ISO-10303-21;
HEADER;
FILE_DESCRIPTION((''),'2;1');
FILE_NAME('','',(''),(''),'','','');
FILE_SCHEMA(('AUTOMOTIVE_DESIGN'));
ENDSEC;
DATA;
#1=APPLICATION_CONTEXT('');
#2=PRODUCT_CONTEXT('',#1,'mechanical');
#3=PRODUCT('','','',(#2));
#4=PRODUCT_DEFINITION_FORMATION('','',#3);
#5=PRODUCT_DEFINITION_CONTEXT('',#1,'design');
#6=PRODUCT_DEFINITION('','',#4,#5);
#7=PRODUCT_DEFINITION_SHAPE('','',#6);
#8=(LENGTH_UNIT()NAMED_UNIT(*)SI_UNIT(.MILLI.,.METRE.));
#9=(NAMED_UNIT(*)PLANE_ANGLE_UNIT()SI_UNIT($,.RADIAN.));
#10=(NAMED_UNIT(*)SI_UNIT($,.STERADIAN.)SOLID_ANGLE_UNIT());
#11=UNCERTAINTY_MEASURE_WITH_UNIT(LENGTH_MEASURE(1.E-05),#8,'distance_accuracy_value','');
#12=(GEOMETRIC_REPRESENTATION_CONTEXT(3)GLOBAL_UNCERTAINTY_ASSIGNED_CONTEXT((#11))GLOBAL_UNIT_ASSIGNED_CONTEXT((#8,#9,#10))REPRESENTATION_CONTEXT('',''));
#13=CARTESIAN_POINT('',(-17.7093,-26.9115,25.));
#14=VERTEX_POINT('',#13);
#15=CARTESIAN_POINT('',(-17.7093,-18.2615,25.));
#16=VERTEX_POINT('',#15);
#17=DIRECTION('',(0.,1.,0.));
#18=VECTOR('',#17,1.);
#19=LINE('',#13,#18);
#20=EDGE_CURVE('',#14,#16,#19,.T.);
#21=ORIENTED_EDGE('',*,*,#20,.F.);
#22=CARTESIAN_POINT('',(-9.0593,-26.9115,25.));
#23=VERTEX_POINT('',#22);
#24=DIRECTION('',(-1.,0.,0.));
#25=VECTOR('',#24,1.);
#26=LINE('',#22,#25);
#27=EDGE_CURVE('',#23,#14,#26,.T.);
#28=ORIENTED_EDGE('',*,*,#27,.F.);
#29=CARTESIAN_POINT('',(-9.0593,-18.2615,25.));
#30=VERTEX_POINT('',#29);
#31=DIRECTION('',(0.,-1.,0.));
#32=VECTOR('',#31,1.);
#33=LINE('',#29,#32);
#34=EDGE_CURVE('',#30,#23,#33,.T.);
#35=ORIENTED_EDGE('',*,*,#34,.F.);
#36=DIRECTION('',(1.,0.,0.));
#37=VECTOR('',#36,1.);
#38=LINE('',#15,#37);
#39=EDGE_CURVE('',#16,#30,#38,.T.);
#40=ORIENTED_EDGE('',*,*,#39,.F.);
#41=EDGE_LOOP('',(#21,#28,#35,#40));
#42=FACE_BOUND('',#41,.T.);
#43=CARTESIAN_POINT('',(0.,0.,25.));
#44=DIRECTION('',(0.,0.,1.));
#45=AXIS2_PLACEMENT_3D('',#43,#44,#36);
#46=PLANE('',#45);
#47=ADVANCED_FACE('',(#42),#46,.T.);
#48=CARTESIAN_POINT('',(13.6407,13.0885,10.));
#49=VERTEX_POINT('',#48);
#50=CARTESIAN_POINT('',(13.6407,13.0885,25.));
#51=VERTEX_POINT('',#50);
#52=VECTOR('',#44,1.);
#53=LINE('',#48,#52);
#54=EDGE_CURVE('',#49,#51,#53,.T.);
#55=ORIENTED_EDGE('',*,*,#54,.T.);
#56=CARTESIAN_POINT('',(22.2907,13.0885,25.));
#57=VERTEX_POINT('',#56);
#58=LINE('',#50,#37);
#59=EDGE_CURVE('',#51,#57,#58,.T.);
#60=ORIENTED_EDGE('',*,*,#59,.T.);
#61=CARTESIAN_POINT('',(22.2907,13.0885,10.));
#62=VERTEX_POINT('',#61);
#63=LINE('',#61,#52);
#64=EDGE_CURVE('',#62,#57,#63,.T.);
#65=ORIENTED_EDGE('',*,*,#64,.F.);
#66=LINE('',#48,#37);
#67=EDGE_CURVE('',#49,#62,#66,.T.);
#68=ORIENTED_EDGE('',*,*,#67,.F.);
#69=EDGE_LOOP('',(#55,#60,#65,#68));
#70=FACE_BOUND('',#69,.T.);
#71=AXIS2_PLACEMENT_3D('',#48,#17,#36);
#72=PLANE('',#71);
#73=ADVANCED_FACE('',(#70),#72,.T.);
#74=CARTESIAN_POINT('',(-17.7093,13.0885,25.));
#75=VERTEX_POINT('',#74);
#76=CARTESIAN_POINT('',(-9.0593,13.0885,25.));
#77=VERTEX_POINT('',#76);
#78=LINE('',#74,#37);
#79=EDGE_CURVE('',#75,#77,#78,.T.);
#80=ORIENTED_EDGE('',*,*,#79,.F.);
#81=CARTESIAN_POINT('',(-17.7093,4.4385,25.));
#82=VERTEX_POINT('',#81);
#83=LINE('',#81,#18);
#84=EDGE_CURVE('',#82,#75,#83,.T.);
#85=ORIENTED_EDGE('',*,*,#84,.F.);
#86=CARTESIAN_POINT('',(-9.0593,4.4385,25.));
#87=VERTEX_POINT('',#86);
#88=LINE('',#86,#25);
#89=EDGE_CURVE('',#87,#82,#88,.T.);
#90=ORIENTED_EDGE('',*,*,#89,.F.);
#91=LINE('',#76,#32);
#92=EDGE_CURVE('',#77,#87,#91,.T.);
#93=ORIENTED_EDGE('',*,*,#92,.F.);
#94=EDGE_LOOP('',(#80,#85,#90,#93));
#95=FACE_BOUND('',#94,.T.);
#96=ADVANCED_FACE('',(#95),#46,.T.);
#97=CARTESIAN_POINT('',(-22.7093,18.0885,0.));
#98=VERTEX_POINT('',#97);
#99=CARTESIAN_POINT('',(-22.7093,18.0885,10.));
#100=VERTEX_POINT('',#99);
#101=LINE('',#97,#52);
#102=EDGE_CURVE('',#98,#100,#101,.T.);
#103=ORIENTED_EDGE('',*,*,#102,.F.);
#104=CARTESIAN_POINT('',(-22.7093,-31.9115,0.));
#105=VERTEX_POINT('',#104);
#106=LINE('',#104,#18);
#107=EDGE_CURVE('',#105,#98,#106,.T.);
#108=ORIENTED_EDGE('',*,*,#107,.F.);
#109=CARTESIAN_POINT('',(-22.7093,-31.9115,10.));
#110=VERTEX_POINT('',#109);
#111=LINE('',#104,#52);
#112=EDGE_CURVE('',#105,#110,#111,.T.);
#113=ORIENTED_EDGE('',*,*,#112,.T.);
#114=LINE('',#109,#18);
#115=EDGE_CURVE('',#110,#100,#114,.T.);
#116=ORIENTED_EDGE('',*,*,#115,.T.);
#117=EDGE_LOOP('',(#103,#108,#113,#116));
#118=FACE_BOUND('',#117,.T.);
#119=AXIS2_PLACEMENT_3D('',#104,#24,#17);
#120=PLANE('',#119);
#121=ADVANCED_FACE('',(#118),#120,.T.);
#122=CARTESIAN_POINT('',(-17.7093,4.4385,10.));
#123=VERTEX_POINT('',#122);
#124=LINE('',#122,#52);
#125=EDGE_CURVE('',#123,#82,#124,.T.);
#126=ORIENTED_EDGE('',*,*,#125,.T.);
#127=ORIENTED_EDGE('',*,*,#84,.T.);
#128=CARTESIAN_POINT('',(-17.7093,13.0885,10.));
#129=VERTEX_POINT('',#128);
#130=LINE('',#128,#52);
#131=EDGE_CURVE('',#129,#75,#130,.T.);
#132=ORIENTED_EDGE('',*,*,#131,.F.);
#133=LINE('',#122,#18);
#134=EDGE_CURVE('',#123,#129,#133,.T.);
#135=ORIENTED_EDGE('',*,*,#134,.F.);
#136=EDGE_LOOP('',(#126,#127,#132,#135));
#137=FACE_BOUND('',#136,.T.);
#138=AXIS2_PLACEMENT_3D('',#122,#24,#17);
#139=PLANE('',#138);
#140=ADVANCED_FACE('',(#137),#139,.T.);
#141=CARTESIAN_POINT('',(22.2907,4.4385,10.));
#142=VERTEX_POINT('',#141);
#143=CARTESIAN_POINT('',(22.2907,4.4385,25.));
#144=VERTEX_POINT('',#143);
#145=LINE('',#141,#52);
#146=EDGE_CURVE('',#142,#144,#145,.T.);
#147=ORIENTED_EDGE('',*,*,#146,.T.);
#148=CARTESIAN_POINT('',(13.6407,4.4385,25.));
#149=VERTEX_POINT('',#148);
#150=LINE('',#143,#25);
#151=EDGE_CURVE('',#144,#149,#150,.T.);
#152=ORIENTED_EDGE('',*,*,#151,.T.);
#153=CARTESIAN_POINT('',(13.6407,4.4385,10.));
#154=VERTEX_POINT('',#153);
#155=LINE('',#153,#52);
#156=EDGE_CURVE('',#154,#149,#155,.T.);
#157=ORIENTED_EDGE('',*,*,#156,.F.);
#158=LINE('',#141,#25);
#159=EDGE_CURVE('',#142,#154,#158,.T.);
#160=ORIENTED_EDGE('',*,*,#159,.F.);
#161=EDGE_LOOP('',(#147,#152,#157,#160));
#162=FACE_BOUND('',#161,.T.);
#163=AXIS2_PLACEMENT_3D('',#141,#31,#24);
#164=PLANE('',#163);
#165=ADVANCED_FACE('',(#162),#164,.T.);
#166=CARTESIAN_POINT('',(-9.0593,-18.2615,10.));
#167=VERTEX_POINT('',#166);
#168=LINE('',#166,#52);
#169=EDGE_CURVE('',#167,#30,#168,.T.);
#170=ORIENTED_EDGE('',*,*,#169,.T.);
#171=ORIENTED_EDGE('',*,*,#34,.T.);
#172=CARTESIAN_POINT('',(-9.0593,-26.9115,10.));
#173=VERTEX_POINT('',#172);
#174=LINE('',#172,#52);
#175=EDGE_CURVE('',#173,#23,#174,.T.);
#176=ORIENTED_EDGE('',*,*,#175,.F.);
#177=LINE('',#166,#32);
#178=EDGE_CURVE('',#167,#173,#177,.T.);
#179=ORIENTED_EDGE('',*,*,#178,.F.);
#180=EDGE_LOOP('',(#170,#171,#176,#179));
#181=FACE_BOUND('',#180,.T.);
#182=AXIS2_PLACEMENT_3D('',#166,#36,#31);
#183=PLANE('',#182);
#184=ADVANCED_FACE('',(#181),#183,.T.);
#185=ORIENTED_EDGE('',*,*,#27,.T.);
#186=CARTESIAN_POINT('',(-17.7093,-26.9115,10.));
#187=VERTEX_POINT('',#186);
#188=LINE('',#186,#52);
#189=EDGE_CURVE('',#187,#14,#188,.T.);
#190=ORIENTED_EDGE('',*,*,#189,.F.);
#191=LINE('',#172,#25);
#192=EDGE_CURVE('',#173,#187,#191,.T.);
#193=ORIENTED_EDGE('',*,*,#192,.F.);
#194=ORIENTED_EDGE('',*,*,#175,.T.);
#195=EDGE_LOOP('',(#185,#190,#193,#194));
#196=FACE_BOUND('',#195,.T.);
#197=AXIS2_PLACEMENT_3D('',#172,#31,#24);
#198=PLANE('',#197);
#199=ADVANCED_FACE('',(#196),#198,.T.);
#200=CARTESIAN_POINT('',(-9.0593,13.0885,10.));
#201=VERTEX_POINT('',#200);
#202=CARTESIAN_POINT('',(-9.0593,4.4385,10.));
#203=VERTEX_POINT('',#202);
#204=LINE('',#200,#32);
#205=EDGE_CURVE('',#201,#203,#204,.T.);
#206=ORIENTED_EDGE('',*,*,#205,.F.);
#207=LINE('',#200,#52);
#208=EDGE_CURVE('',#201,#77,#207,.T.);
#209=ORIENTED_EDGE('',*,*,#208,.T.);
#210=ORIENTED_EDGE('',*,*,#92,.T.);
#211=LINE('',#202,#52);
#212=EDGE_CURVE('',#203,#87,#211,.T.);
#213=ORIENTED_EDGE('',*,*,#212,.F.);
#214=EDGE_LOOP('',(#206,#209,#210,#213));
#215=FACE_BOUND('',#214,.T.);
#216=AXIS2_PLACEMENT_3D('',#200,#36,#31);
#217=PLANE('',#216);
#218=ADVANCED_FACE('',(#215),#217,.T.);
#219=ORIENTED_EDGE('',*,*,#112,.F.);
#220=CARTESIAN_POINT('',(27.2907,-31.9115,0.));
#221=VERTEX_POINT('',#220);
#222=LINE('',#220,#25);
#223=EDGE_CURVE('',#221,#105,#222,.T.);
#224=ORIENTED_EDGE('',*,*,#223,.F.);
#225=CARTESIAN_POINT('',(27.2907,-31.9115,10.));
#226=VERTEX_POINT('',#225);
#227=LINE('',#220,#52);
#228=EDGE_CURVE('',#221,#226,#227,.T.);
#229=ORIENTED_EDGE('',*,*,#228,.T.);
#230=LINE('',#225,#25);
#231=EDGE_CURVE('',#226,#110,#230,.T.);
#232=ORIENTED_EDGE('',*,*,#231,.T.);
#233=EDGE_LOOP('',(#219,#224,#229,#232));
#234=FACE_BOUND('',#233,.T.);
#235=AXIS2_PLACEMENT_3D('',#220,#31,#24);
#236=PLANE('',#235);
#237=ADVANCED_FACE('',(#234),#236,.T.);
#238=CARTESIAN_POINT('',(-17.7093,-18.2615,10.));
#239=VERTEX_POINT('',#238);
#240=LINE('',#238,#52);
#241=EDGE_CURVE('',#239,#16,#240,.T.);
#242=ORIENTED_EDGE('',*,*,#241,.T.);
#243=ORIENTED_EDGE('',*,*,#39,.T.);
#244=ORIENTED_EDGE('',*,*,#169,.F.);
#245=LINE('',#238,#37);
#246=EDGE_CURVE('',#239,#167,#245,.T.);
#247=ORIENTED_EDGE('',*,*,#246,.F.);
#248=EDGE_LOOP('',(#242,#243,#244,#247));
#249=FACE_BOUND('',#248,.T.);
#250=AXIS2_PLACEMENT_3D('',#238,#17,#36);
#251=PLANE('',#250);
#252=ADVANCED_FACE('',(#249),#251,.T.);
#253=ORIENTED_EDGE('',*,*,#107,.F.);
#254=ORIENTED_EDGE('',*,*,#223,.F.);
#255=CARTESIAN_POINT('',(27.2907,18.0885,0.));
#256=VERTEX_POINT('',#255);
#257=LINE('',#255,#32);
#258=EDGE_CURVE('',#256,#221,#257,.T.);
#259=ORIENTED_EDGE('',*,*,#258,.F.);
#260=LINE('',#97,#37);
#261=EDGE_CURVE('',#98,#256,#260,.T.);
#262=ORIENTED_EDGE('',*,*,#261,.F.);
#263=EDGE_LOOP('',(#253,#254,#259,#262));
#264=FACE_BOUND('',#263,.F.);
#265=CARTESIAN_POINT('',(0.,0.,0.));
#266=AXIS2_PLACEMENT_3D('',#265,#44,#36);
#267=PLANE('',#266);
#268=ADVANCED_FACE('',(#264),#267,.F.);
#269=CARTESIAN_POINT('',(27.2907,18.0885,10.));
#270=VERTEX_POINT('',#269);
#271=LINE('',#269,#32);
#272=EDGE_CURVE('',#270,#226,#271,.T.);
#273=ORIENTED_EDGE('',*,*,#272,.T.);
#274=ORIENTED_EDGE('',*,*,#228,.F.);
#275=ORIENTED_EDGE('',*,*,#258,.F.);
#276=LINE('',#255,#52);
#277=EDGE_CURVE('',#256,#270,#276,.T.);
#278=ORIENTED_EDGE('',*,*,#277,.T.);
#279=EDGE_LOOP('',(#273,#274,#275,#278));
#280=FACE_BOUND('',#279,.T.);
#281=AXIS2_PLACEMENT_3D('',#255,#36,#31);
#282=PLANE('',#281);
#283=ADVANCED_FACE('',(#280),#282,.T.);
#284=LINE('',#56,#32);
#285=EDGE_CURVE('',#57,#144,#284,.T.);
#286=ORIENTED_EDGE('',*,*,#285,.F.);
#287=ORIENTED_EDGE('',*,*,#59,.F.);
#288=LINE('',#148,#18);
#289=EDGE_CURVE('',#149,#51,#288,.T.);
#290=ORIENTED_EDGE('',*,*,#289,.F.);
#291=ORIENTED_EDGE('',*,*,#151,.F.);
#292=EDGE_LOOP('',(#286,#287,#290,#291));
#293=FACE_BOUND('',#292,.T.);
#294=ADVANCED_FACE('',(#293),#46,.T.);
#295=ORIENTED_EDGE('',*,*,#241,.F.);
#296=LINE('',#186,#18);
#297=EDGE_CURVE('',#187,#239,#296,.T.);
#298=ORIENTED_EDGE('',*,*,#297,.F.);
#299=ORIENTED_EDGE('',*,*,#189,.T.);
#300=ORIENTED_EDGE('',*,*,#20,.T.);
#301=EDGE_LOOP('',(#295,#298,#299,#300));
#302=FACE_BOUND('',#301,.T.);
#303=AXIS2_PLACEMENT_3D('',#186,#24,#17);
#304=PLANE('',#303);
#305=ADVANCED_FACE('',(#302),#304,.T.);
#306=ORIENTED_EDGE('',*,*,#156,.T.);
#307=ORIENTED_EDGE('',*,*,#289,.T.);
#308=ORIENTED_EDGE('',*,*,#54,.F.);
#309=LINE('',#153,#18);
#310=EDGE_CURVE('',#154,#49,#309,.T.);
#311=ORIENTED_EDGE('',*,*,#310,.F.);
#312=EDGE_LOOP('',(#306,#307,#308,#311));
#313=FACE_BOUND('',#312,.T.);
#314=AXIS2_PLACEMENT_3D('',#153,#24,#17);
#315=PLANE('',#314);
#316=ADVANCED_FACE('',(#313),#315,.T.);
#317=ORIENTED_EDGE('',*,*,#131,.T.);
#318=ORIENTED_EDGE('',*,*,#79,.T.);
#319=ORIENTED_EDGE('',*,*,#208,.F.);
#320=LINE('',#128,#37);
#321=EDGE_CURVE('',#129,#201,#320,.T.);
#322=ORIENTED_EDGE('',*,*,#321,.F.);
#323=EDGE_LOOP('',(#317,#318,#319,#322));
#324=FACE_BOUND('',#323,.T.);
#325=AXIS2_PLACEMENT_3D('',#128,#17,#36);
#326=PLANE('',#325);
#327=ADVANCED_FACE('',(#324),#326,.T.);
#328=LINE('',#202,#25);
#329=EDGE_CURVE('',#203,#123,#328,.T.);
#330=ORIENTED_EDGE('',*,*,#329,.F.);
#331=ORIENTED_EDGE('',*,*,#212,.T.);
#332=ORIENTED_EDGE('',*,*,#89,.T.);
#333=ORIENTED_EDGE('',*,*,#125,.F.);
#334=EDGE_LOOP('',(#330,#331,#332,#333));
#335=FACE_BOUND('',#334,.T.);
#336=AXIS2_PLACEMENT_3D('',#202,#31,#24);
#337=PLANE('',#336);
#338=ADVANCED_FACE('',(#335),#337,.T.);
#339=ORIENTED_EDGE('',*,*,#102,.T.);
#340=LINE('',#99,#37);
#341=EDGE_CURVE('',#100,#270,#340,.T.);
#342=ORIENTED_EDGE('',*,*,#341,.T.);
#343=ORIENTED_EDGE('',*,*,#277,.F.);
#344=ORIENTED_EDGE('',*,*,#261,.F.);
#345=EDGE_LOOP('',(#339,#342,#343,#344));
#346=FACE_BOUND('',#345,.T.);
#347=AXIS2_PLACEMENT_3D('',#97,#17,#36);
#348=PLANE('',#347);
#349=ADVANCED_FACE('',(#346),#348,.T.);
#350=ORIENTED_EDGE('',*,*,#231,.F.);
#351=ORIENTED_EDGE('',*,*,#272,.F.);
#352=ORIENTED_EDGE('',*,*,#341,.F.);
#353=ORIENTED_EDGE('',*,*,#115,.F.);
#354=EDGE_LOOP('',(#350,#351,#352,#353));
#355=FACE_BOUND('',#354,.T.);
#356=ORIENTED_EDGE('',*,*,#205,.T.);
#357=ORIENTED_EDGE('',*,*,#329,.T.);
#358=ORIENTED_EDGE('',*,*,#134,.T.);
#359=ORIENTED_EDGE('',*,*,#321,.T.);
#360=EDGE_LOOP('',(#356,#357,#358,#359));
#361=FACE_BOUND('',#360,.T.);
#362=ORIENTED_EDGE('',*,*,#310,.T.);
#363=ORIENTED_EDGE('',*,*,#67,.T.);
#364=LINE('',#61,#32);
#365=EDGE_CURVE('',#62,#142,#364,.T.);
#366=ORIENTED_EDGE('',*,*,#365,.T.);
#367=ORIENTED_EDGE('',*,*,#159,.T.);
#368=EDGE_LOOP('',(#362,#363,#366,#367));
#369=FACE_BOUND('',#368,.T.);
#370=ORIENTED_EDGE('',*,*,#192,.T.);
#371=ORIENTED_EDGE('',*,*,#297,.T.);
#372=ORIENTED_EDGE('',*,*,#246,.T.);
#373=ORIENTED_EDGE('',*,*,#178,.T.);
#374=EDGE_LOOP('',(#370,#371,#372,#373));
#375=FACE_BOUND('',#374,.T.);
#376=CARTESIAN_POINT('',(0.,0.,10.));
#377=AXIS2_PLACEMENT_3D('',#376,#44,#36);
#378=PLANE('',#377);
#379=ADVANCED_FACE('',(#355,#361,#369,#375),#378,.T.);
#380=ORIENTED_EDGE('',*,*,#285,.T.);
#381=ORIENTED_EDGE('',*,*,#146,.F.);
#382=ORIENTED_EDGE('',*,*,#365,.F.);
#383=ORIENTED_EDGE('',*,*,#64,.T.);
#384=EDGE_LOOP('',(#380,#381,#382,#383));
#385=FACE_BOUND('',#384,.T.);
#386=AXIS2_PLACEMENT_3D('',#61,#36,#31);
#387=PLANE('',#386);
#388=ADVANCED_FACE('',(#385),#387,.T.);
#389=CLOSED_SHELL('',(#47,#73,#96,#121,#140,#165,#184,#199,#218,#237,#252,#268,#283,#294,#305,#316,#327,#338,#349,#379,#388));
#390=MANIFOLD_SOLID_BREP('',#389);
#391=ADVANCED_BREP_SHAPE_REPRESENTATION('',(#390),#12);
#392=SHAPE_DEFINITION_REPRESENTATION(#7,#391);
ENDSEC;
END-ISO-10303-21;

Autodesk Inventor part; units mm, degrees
ref_plane "YZ Plane" through (0, 0, 0) normal (1, 0, 0) x (0, 1, 0)
ref_plane "XZ Plane" through (0, 0, 0) normal (0, 1, 0) x (-1, 0, 0)
ref_plane "XY Plane" through (0, 0, 0) normal (0, 0, 1) x (1, 0, 0)
sketch "Sketch1" plane through (0, 0, 0) normal (0, 0, 1) x (1, 0, 0)
  line L0 (-22.7093, 18.0885) -> (27.2907, 18.0885)
  line L1 (27.2907, 18.0885) -> (27.2907, -31.9115)
  line L2 (27.2907, -31.9115) -> (-22.7093, -31.9115)
  line L3 (-22.7093, -31.9115) -> (-22.7093, 18.0885)
  point P0 (0, 0)
  dimension "d0" = 50
  dimension "d1" = 50
extrude "Extrusion1" add sketch "Sketch1" along normal blind 10
sketch "Sketch3" plane through (0, 0, 10) normal (0, 0, 1) x (1, 0, 0)
  line L0 (-17.7093, 13.0885) -> (-9.0593, 13.0885)
  line L1 (-9.0593, 13.0885) -> (-9.0593, 4.4385)
  line L2 (-9.0593, 4.4385) -> (-17.7093, 4.4385)
  line L3 (-17.7093, 4.4385) -> (-17.7093, 13.0885)
  line L4 (-22.7093, 18.0885) -> (-22.7093, -31.9115) projected
  line L5 (27.2907, 18.0885) -> (-22.7093, 18.0885) projected
  line L6 (13.6407, 13.0885) -> (22.2907, 13.0885)
  line L7 (22.2907, 13.0885) -> (22.2907, 4.4385)
  line L8 (22.2907, 4.4385) -> (13.6407, 4.4385)
  line L9 (13.6407, 4.4385) -> (13.6407, 13.0885)
  line L10 (-17.7093, -18.2615) -> (-9.0593, -18.2615)
  line L11 (-9.0593, -18.2615) -> (-9.0593, -26.9115)
  line L12 (-9.0593, -26.9115) -> (-17.7093, -26.9115)
  line L13 (-17.7093, -26.9115) -> (-17.7093, -18.2615)
  line L14 (27.2907, -31.9115) -> (27.2907, 18.0885) projected
  line L15 (-22.7093, -31.9115) -> (27.2907, -31.9115) projected
  point P0 (0, 0)
  dimension "d8" = 5
  dimension "d9" = 5
  dimension "d10" = 8.65
  dimension "d11" = 8.65
  dimension "d12" = 5
  dimension "d13" = 8.65
  dimension "d14" = 8.65
  dimension "d15" = 5
  dimension "d16" = 5
  dimension "d17" = 5
  dimension "d18" = 8.65
  dimension "d19" = 8.65
extrude "Extrusion2" add sketch "Sketch3" along normal blind 15 contours L0 L1 L2 L3 | L6 L7 L8 L9 | L10 L11 L12 L13
equation "\"d13\" = d10"
equation "\"d15\" = d12"
equation "\"d16\" = d8"
equation "\"d19\" = d18"
properties part number "final_beam_cube_top"
